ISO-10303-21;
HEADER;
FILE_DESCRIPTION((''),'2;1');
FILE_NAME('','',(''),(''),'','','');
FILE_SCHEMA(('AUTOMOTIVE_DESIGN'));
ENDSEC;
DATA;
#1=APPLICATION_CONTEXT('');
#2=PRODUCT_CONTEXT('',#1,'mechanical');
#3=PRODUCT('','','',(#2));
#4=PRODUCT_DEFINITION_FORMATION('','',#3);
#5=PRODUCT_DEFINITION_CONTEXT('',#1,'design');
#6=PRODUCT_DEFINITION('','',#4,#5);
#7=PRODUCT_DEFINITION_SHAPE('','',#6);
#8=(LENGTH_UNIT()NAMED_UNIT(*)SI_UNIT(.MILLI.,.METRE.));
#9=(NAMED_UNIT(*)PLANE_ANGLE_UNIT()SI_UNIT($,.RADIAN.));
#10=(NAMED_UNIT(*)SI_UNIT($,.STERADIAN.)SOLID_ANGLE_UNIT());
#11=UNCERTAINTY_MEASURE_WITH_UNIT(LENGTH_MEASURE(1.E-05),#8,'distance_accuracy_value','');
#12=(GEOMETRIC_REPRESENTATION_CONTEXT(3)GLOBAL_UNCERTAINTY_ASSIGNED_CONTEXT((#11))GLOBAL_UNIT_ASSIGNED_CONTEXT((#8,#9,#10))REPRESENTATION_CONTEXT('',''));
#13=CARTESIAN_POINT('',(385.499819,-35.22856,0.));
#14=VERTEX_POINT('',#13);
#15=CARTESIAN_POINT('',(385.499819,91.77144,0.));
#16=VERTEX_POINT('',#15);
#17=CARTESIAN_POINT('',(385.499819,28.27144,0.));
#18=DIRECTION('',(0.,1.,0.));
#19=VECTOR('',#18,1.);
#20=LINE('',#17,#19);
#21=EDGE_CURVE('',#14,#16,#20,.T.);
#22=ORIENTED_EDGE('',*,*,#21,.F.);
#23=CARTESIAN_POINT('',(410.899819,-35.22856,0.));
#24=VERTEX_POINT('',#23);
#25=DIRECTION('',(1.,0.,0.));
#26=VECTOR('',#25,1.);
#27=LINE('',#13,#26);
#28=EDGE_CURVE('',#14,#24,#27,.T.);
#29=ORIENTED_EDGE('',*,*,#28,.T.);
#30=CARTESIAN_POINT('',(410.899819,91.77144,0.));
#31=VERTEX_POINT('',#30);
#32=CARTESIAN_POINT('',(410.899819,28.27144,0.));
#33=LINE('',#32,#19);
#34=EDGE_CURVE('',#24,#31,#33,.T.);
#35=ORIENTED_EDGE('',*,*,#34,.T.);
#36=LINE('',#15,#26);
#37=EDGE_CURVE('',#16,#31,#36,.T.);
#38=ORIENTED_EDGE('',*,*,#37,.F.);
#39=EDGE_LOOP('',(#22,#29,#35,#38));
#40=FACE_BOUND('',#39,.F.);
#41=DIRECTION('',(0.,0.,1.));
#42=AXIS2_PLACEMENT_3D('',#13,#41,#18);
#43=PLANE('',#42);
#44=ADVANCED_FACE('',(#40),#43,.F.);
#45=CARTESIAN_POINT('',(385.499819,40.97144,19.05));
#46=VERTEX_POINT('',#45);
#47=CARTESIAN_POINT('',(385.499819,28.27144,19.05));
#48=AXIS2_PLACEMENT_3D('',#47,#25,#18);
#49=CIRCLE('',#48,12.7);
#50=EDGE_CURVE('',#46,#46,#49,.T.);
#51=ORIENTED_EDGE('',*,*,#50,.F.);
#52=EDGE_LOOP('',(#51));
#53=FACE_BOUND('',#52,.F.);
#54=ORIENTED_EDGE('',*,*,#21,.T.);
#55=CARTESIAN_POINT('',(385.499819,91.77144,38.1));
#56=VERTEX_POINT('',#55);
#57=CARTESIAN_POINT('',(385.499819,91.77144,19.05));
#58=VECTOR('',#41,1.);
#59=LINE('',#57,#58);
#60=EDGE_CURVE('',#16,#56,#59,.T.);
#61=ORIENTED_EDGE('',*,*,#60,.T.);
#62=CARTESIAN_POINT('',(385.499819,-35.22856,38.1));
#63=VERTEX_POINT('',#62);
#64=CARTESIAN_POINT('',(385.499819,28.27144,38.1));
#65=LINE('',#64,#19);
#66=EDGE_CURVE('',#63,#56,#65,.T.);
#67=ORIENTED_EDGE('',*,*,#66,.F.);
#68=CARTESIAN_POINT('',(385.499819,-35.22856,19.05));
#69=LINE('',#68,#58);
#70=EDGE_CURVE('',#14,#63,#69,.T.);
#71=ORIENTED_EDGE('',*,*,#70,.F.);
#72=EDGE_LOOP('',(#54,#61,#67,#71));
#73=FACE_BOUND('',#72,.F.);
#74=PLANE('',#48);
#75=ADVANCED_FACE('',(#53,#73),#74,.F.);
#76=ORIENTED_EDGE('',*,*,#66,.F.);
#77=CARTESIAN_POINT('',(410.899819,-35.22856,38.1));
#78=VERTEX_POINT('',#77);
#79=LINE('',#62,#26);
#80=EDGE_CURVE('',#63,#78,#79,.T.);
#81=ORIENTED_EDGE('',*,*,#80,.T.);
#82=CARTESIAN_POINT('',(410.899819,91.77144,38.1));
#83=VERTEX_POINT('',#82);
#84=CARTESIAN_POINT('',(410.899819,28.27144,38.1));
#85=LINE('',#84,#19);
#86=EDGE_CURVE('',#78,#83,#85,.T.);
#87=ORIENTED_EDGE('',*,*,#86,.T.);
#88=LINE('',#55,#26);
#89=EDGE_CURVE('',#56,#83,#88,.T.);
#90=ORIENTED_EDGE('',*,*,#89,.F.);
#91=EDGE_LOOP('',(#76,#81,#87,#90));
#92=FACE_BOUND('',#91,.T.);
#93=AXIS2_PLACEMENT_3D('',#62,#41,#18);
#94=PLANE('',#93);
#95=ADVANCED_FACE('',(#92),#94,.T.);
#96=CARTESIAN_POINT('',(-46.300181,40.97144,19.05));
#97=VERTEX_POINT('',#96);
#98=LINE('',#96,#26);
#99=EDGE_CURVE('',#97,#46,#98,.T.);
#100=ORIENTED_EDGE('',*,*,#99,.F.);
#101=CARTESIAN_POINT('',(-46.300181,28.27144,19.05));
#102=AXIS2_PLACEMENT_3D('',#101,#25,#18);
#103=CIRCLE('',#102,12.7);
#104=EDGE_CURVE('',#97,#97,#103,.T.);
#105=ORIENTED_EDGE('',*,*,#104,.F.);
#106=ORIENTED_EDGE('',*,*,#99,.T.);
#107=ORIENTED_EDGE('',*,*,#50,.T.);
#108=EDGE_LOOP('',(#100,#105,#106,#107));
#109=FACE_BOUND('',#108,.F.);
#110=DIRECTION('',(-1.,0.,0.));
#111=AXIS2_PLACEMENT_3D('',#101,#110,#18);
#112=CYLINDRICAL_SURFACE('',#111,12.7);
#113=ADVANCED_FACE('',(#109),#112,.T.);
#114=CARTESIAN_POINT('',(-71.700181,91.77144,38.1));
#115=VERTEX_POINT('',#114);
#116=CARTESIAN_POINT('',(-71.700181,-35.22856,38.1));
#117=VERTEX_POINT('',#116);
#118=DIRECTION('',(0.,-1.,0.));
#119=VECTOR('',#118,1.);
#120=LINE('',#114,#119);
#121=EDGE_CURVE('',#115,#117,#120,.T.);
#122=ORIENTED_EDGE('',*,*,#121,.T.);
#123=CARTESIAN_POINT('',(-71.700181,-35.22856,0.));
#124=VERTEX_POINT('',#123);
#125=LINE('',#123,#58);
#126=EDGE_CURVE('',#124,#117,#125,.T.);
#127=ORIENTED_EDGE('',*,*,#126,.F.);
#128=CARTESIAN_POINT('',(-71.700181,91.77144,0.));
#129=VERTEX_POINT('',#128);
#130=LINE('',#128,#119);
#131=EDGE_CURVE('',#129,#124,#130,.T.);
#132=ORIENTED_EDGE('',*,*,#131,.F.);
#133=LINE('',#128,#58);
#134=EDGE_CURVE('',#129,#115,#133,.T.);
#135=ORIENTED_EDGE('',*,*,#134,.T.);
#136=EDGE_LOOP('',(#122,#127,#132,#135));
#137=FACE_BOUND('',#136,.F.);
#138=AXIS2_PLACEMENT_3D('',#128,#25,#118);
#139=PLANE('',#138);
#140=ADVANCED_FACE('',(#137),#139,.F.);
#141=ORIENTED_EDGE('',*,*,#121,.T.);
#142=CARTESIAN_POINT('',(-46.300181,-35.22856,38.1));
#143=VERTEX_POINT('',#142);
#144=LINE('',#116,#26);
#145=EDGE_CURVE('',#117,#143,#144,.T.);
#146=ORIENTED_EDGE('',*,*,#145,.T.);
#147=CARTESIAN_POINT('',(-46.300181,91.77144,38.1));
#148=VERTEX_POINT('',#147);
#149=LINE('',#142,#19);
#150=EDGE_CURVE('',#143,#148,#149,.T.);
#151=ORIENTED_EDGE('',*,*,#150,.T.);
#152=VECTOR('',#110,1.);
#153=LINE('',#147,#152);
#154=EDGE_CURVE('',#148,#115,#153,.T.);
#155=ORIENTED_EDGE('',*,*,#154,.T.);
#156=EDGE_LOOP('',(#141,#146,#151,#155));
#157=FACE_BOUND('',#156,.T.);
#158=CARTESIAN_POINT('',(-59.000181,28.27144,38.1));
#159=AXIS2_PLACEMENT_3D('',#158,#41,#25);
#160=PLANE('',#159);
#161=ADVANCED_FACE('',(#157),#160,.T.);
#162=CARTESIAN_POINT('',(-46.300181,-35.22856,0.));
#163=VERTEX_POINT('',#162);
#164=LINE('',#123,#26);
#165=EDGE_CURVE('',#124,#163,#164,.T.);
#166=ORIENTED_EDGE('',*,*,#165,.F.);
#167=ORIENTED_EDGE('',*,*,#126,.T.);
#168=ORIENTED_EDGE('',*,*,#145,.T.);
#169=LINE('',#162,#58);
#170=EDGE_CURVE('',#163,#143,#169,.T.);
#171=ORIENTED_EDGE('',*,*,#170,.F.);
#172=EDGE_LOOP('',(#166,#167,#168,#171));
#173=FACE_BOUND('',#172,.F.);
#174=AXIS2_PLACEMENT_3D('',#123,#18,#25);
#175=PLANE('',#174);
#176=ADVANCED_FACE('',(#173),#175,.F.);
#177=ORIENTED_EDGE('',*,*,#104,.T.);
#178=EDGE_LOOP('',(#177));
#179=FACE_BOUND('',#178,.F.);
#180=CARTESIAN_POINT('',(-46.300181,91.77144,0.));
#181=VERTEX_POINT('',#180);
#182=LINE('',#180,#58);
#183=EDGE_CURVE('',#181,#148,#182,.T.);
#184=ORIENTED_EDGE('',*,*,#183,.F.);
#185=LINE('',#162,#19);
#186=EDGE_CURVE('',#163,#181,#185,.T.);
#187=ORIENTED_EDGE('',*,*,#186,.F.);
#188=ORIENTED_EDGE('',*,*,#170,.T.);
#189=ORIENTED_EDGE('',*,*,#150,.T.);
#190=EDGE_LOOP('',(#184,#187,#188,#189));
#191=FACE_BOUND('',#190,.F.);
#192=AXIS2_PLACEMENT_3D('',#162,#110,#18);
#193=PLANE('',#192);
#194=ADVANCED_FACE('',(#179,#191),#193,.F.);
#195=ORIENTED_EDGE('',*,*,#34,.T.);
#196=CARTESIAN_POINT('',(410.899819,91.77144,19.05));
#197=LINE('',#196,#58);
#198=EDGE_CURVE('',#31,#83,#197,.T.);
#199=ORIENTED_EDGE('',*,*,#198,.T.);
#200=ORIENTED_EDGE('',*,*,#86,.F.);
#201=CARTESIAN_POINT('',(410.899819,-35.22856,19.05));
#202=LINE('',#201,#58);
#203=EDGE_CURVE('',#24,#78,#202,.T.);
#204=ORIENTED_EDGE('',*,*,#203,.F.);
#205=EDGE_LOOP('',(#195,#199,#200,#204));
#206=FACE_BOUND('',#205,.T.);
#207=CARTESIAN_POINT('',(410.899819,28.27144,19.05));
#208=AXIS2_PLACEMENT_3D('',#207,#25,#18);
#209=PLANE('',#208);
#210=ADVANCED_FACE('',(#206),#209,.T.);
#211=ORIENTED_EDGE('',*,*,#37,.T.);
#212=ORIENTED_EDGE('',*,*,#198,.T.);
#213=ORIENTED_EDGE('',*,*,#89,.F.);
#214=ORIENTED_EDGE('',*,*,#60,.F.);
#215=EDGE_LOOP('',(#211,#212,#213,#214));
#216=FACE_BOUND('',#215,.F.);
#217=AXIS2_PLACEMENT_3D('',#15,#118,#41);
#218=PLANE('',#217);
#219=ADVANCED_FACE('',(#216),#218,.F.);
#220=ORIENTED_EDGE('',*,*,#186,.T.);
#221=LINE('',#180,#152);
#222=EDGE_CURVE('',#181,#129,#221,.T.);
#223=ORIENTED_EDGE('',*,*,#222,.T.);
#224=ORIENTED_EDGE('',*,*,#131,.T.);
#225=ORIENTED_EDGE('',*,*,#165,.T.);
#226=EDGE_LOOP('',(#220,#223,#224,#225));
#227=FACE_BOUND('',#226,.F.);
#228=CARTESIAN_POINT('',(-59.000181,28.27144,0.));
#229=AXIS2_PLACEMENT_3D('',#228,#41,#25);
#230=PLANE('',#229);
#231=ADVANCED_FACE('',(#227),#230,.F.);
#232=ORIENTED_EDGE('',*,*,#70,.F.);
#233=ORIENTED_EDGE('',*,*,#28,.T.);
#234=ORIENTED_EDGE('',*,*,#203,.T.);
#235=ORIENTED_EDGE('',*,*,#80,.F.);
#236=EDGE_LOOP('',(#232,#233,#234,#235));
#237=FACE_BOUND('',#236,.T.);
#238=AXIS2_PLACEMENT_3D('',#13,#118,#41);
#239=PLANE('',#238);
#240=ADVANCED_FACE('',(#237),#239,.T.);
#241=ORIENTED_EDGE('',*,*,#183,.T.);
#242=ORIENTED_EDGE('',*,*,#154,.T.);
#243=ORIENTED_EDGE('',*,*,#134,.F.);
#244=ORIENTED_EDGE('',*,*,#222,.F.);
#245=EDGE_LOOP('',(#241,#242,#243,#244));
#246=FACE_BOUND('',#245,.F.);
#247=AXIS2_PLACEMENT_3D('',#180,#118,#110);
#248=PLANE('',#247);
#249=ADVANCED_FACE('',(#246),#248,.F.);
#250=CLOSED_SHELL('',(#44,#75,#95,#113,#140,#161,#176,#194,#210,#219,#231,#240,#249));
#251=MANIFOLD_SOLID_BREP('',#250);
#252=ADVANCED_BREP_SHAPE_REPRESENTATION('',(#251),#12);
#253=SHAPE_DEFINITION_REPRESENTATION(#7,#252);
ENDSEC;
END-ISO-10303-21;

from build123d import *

# Parameters (mm, degrees)
F1_DEPTH = 38.1
F2_R     = 12.7
F3_DEPTH = 431.8
F4_W     = 127
F4_H     = 38.1
F5_DEPTH = 25.4


with BuildPart() as f1:
    # F0 (on Top) → F1 (new body)
    with BuildSketch(Plane.XY):
        Polygon((-46.300181, 91.77144), (-71.700181, 91.77144), (-71.700181, -35.22856), (-46.300181, -35.22856), (-46.300181, 15.57144), (-46.300181, 40.97144), align=None)
    extrude(amount=F1_DEPTH)

    # F2 (on face) → F3 (join)
    with BuildSketch(Plane.YZ.offset(-46.300181)):
        with Locations((28.27144, 19.05)):
            Circle(F2_R)
    extrude(amount=F3_DEPTH)

    # F4 (on face) → F5 (join)
    with BuildSketch(Plane.YZ.offset(385.499819)):
        with Locations((28.27144, 19.05)):
            Rectangle(F4_W, F4_H)
    extrude(amount=F5_DEPTH)


solid = f1.part
